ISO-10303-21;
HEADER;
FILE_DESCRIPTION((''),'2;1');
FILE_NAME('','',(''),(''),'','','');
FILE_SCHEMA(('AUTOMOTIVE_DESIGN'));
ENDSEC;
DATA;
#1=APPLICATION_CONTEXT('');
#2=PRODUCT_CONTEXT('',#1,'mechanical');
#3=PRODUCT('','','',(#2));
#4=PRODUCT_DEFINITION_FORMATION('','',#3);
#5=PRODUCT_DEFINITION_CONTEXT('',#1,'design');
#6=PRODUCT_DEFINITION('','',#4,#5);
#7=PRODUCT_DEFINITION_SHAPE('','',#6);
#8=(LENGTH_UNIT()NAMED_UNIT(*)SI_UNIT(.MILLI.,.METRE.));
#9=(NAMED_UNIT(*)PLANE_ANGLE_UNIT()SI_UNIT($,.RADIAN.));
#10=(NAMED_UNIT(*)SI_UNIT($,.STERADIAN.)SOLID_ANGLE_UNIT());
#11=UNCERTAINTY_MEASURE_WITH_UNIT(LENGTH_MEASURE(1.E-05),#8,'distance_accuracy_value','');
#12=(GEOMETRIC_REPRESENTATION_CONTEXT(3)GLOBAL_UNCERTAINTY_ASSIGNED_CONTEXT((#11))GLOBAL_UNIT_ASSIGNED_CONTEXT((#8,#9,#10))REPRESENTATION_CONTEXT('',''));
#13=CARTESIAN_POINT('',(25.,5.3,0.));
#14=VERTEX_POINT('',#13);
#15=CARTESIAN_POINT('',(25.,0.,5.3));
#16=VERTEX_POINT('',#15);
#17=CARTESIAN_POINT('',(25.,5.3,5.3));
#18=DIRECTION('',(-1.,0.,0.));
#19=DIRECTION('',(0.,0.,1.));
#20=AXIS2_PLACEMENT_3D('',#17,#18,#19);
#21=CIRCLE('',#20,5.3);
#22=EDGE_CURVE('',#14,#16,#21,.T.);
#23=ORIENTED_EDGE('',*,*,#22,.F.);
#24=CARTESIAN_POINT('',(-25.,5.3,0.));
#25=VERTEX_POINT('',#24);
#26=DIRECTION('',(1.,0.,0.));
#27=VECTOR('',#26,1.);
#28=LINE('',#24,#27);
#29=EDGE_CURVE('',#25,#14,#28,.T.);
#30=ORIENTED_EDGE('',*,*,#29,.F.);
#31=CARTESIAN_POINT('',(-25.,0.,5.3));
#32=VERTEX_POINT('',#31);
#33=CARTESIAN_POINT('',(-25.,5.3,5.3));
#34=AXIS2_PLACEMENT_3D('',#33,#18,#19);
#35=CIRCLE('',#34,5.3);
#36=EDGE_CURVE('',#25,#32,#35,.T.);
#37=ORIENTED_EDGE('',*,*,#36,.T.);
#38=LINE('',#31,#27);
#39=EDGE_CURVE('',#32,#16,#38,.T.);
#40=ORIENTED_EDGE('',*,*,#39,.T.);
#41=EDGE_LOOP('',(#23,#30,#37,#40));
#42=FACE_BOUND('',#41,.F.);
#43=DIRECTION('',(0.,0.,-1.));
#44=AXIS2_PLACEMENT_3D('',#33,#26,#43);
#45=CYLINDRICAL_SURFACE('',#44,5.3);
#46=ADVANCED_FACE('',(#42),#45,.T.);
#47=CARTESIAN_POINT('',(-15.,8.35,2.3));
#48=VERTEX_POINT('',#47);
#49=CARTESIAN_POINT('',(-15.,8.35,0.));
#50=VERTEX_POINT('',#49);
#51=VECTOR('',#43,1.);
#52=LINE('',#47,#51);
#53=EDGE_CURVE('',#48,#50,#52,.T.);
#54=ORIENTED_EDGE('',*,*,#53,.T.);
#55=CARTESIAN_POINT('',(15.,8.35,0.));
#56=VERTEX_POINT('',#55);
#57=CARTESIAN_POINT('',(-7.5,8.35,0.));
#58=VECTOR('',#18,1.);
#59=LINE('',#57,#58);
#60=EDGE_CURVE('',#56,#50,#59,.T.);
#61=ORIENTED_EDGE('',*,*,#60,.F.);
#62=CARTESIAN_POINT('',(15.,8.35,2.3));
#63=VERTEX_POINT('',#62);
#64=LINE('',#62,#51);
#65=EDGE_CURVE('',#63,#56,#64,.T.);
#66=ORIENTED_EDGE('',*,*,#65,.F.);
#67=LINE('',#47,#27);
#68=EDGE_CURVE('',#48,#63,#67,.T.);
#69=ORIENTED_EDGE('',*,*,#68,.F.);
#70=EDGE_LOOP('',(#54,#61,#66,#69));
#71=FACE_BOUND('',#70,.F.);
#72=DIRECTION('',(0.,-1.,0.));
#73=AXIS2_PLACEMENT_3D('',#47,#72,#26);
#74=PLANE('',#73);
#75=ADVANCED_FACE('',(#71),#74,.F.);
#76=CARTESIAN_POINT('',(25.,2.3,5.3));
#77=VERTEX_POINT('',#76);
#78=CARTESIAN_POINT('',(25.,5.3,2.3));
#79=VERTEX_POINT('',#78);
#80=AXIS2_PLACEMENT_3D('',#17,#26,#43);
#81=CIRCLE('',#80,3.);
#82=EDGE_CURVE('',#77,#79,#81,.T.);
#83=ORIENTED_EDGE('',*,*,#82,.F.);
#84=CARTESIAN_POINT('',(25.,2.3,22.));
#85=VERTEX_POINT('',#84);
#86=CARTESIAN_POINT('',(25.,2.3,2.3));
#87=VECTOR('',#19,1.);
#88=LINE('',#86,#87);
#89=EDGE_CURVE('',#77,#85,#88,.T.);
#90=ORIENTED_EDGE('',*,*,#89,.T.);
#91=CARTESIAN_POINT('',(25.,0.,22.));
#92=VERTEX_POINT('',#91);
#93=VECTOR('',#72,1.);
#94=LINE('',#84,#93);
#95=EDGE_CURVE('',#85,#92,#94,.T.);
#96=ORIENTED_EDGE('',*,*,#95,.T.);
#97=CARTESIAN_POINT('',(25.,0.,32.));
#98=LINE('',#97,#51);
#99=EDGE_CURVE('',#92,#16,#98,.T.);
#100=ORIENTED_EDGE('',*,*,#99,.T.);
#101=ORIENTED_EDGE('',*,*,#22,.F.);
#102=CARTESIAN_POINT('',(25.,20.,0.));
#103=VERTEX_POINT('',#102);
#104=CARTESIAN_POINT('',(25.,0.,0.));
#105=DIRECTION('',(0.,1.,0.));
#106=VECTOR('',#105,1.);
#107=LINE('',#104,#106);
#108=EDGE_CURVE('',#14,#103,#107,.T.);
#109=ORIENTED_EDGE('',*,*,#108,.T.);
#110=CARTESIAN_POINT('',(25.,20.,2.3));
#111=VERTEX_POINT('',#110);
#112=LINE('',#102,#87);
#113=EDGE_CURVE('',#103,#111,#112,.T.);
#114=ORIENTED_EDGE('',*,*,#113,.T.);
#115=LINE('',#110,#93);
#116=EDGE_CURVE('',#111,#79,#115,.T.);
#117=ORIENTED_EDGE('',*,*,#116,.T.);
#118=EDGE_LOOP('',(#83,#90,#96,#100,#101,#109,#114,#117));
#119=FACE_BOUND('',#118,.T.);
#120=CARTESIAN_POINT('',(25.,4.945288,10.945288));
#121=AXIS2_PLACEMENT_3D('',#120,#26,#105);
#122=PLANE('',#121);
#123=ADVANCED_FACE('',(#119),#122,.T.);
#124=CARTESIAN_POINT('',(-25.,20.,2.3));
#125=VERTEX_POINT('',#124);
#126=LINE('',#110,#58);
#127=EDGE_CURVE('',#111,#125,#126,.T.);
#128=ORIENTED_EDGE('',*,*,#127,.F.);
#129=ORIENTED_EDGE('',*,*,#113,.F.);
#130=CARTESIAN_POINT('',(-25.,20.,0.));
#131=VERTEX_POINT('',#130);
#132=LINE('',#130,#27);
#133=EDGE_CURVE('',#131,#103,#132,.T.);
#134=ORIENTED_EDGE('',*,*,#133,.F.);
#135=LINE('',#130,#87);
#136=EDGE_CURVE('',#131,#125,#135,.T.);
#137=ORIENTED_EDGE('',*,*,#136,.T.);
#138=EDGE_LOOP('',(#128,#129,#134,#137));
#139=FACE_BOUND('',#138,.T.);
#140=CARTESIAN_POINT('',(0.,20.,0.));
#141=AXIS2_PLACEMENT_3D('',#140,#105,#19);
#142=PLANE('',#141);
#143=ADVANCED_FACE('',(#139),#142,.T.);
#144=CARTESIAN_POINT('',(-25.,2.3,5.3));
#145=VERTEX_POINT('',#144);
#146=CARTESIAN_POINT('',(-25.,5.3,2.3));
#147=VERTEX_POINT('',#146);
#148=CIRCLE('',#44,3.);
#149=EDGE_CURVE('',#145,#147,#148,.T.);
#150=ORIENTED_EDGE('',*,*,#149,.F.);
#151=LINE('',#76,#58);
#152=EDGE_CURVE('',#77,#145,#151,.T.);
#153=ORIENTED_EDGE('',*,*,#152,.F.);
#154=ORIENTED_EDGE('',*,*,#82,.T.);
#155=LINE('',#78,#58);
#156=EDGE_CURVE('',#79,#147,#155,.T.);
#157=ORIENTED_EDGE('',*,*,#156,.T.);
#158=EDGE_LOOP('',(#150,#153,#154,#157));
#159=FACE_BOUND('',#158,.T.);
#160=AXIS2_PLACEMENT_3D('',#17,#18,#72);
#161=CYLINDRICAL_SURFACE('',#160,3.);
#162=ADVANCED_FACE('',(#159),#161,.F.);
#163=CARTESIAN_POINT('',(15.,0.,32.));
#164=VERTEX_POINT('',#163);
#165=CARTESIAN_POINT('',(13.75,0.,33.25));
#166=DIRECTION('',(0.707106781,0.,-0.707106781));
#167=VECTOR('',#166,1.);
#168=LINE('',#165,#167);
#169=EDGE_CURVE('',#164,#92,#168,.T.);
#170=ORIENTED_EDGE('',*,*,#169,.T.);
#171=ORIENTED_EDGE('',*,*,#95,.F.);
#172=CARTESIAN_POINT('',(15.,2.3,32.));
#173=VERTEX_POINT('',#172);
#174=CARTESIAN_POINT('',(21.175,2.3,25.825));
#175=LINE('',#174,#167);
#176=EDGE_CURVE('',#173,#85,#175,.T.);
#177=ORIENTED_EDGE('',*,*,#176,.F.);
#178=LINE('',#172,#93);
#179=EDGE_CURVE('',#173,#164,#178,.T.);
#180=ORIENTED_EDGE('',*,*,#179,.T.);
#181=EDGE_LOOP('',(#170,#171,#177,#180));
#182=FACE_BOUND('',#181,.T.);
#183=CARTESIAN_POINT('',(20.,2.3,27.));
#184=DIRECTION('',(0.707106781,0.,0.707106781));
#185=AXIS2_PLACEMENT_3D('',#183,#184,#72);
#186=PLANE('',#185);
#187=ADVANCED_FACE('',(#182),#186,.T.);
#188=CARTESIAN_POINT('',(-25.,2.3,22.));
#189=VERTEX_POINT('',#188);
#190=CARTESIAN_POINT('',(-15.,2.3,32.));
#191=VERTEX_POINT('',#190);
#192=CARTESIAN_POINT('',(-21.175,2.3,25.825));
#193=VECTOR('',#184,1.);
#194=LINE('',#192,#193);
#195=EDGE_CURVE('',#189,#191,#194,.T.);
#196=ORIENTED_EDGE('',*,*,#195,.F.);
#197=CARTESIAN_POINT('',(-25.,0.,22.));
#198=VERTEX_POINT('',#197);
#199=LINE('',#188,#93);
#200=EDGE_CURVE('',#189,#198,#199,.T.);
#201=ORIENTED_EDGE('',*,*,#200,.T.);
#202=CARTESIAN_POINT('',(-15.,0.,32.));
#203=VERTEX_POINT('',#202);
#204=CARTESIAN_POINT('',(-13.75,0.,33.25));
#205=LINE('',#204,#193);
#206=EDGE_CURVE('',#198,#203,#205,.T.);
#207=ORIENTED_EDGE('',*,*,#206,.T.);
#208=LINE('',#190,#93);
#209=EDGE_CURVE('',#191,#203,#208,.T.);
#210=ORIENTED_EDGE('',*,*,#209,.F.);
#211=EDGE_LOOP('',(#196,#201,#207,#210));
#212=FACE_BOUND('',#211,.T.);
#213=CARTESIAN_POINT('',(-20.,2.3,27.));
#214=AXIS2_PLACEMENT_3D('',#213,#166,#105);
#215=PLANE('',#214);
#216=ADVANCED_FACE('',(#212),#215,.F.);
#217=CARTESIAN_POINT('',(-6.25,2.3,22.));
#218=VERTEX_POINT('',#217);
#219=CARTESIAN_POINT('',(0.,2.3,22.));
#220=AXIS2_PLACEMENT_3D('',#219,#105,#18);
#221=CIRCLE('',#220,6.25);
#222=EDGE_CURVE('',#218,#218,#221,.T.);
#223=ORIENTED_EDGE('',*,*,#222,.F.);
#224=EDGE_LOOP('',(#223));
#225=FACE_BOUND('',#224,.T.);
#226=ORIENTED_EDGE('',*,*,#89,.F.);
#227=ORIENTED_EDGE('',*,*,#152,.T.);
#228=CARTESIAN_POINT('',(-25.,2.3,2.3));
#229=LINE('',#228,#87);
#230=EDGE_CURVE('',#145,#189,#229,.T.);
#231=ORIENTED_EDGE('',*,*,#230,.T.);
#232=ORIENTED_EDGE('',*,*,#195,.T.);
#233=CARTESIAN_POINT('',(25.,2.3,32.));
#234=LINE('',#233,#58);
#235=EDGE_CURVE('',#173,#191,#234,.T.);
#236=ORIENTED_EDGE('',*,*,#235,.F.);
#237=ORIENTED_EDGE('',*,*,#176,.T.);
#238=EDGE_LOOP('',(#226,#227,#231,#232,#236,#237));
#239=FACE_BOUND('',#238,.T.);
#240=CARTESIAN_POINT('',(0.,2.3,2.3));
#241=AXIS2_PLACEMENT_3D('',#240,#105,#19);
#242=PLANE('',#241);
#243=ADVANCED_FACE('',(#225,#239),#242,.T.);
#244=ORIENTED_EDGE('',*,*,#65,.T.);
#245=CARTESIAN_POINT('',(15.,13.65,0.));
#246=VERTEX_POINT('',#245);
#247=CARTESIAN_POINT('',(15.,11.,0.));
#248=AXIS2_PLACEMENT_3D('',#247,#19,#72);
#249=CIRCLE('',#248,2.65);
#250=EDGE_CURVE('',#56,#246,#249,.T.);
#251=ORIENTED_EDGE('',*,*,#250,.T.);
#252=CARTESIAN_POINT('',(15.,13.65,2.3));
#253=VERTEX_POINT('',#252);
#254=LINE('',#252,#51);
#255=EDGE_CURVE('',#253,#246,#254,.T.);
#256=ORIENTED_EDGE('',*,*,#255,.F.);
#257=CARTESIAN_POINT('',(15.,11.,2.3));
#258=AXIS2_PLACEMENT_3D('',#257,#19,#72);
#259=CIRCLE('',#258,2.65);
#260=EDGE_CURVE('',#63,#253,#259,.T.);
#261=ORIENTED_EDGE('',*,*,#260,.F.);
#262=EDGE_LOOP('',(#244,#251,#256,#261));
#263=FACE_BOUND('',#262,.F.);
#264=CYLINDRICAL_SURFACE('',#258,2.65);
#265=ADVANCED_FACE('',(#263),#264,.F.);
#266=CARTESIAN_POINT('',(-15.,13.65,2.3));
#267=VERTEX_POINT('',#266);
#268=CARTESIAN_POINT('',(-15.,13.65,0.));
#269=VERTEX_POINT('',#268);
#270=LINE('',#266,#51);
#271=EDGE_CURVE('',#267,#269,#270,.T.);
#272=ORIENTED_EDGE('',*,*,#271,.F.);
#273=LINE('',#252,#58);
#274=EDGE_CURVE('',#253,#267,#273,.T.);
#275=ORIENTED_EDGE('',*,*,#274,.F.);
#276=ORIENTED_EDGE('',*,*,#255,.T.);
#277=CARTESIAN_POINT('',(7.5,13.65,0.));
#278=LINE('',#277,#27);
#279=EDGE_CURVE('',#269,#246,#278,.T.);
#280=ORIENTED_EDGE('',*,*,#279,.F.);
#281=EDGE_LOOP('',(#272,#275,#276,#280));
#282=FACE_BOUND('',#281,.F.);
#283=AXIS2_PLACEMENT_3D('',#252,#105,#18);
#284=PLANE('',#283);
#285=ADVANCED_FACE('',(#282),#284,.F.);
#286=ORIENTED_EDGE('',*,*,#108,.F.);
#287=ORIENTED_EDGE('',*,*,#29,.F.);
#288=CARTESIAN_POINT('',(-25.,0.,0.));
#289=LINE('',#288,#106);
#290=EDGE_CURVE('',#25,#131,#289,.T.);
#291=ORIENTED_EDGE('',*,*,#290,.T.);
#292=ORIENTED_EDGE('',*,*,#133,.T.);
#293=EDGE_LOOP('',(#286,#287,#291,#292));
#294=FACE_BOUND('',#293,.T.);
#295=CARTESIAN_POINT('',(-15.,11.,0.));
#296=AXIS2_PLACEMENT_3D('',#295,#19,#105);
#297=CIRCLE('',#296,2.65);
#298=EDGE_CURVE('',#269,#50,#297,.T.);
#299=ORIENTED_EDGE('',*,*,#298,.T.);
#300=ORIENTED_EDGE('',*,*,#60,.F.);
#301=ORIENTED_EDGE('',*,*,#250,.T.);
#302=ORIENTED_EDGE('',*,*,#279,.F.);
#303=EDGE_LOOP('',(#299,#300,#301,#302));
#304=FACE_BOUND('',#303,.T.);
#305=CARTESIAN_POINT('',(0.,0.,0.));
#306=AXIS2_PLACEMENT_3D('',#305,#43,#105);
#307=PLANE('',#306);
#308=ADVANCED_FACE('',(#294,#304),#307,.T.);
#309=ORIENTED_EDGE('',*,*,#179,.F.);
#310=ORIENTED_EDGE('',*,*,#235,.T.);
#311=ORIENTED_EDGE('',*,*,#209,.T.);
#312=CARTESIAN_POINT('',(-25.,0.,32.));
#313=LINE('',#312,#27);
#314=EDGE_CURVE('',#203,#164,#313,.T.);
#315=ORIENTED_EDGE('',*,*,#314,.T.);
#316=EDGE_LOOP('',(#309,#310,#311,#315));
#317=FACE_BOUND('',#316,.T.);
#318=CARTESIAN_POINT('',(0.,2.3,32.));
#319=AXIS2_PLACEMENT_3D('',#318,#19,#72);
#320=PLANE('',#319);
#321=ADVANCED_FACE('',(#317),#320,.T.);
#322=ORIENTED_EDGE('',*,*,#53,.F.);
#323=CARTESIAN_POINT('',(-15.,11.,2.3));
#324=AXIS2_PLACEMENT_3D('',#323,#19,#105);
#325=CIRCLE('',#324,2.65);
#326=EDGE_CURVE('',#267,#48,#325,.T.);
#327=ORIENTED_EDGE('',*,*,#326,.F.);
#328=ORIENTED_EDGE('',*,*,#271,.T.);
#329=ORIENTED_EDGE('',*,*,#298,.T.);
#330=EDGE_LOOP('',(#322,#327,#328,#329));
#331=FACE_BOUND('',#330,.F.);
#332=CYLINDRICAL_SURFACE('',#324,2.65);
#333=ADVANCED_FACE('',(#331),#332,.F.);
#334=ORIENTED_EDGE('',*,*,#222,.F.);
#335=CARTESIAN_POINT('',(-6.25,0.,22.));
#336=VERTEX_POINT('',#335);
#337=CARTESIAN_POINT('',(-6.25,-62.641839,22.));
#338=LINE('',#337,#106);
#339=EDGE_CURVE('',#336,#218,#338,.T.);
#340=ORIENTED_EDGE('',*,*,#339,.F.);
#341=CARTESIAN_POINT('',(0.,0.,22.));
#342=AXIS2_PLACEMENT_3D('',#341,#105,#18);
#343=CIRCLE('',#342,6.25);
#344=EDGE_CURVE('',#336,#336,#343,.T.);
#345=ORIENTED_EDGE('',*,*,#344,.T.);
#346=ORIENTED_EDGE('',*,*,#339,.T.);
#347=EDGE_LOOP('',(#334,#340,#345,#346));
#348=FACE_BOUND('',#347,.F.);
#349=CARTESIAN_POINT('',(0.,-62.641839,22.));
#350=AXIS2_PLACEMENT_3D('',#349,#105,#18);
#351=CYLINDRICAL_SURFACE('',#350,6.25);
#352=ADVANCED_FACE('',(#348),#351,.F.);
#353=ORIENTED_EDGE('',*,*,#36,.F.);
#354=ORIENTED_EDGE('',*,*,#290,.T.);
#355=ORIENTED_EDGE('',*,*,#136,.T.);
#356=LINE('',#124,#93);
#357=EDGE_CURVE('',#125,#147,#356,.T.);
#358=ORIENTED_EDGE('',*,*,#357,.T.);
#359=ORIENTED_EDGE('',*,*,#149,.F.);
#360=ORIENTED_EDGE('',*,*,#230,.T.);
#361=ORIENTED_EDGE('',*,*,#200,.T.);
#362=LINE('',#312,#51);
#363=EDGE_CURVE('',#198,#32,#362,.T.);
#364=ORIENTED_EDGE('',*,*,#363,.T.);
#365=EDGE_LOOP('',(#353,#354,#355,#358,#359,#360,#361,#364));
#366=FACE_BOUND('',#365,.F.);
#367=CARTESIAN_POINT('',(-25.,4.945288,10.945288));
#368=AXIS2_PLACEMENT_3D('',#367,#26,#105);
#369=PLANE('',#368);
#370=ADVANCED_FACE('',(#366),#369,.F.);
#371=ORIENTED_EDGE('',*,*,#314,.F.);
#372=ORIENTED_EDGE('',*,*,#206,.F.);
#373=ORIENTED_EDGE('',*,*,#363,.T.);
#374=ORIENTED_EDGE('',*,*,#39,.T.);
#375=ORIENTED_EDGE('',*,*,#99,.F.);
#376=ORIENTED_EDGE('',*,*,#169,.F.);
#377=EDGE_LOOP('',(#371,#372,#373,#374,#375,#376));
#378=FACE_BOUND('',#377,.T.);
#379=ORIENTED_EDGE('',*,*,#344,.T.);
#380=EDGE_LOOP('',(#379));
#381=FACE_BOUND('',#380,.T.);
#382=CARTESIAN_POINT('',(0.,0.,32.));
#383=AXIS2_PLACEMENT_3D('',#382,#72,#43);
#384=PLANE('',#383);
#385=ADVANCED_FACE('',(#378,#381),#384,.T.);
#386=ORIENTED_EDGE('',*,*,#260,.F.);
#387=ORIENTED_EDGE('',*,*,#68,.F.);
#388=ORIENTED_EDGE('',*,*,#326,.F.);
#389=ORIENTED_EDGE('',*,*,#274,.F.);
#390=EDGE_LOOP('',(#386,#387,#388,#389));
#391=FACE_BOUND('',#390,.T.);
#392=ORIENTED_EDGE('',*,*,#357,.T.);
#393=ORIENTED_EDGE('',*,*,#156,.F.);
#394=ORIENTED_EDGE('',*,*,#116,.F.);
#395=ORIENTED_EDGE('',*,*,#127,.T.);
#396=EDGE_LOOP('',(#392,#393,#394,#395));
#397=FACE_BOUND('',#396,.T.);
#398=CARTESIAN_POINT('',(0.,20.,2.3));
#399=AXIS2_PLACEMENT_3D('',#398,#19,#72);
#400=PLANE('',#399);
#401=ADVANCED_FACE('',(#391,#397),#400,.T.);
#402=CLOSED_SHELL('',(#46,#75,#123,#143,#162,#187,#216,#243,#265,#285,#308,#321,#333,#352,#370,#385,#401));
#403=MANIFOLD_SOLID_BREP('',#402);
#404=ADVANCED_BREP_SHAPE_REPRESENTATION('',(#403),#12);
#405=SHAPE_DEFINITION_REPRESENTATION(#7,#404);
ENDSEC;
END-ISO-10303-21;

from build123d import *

# Parameters (mm, degrees)
F1_DEPTH      = 25
F1_DEPTH_BACK = 25
F4_DEPTH      = 2.301
F5_R          = 3
F6_R          = 5.3
F7_D          = 12.5
F8_SIZE       = 10


with BuildPart() as f1:
    # F0 (on Right) → F1 (new body, two sides)
    with BuildSketch(Plane.YZ) as f1_sk:
        Polygon((2.3, 32), (0, 32), (0, 0), (20, 0), (20, 2.3), (2.3, 2.3), align=None)
    extrude(amount=F1_DEPTH)
    extrude(f1_sk.sketch, amount=-F1_DEPTH_BACK)

    # F3 (on face) → F4 (cut, through all)
    with BuildSketch(Plane.XY.offset(2.3)):
        with BuildLine():
            Line((-15, 8.35), (15, 8.35))
            ThreePointArc((15, 8.35), (17.65, 11), (15, 13.65))
            Line((15, 13.65), (-15, 13.65))
            ThreePointArc((-15, 13.65), (-17.65, 11), (-15, 8.35))
        make_face()
    extrude(amount=-F4_DEPTH, mode=Mode.SUBTRACT)

    # F5
    f5_edges = [f1.edges().sort_by_distance(p)[0] for p in [
        (0, 2.3, 2.3),
    ]]
    fillet(f5_edges, radius=F5_R)

    # F6
    f6_edges = [f1.edges().sort_by_distance(p)[0] for p in [
        (0, 0, 0),
    ]]
    fillet(f6_edges, radius=F6_R)

    # F7 (through all)
    with Locations(Plane.XZ):
        with Locations((0, 22)):
            Hole(F7_D / 2)

    # F8
    f8_edges = [f1.edges().sort_by_distance(p)[0] for p in [
        (25, 1.15, 32),
        (-25, 1.15, 32),
    ]]
    chamfer(f8_edges, length=F8_SIZE)


solid = f1.part
